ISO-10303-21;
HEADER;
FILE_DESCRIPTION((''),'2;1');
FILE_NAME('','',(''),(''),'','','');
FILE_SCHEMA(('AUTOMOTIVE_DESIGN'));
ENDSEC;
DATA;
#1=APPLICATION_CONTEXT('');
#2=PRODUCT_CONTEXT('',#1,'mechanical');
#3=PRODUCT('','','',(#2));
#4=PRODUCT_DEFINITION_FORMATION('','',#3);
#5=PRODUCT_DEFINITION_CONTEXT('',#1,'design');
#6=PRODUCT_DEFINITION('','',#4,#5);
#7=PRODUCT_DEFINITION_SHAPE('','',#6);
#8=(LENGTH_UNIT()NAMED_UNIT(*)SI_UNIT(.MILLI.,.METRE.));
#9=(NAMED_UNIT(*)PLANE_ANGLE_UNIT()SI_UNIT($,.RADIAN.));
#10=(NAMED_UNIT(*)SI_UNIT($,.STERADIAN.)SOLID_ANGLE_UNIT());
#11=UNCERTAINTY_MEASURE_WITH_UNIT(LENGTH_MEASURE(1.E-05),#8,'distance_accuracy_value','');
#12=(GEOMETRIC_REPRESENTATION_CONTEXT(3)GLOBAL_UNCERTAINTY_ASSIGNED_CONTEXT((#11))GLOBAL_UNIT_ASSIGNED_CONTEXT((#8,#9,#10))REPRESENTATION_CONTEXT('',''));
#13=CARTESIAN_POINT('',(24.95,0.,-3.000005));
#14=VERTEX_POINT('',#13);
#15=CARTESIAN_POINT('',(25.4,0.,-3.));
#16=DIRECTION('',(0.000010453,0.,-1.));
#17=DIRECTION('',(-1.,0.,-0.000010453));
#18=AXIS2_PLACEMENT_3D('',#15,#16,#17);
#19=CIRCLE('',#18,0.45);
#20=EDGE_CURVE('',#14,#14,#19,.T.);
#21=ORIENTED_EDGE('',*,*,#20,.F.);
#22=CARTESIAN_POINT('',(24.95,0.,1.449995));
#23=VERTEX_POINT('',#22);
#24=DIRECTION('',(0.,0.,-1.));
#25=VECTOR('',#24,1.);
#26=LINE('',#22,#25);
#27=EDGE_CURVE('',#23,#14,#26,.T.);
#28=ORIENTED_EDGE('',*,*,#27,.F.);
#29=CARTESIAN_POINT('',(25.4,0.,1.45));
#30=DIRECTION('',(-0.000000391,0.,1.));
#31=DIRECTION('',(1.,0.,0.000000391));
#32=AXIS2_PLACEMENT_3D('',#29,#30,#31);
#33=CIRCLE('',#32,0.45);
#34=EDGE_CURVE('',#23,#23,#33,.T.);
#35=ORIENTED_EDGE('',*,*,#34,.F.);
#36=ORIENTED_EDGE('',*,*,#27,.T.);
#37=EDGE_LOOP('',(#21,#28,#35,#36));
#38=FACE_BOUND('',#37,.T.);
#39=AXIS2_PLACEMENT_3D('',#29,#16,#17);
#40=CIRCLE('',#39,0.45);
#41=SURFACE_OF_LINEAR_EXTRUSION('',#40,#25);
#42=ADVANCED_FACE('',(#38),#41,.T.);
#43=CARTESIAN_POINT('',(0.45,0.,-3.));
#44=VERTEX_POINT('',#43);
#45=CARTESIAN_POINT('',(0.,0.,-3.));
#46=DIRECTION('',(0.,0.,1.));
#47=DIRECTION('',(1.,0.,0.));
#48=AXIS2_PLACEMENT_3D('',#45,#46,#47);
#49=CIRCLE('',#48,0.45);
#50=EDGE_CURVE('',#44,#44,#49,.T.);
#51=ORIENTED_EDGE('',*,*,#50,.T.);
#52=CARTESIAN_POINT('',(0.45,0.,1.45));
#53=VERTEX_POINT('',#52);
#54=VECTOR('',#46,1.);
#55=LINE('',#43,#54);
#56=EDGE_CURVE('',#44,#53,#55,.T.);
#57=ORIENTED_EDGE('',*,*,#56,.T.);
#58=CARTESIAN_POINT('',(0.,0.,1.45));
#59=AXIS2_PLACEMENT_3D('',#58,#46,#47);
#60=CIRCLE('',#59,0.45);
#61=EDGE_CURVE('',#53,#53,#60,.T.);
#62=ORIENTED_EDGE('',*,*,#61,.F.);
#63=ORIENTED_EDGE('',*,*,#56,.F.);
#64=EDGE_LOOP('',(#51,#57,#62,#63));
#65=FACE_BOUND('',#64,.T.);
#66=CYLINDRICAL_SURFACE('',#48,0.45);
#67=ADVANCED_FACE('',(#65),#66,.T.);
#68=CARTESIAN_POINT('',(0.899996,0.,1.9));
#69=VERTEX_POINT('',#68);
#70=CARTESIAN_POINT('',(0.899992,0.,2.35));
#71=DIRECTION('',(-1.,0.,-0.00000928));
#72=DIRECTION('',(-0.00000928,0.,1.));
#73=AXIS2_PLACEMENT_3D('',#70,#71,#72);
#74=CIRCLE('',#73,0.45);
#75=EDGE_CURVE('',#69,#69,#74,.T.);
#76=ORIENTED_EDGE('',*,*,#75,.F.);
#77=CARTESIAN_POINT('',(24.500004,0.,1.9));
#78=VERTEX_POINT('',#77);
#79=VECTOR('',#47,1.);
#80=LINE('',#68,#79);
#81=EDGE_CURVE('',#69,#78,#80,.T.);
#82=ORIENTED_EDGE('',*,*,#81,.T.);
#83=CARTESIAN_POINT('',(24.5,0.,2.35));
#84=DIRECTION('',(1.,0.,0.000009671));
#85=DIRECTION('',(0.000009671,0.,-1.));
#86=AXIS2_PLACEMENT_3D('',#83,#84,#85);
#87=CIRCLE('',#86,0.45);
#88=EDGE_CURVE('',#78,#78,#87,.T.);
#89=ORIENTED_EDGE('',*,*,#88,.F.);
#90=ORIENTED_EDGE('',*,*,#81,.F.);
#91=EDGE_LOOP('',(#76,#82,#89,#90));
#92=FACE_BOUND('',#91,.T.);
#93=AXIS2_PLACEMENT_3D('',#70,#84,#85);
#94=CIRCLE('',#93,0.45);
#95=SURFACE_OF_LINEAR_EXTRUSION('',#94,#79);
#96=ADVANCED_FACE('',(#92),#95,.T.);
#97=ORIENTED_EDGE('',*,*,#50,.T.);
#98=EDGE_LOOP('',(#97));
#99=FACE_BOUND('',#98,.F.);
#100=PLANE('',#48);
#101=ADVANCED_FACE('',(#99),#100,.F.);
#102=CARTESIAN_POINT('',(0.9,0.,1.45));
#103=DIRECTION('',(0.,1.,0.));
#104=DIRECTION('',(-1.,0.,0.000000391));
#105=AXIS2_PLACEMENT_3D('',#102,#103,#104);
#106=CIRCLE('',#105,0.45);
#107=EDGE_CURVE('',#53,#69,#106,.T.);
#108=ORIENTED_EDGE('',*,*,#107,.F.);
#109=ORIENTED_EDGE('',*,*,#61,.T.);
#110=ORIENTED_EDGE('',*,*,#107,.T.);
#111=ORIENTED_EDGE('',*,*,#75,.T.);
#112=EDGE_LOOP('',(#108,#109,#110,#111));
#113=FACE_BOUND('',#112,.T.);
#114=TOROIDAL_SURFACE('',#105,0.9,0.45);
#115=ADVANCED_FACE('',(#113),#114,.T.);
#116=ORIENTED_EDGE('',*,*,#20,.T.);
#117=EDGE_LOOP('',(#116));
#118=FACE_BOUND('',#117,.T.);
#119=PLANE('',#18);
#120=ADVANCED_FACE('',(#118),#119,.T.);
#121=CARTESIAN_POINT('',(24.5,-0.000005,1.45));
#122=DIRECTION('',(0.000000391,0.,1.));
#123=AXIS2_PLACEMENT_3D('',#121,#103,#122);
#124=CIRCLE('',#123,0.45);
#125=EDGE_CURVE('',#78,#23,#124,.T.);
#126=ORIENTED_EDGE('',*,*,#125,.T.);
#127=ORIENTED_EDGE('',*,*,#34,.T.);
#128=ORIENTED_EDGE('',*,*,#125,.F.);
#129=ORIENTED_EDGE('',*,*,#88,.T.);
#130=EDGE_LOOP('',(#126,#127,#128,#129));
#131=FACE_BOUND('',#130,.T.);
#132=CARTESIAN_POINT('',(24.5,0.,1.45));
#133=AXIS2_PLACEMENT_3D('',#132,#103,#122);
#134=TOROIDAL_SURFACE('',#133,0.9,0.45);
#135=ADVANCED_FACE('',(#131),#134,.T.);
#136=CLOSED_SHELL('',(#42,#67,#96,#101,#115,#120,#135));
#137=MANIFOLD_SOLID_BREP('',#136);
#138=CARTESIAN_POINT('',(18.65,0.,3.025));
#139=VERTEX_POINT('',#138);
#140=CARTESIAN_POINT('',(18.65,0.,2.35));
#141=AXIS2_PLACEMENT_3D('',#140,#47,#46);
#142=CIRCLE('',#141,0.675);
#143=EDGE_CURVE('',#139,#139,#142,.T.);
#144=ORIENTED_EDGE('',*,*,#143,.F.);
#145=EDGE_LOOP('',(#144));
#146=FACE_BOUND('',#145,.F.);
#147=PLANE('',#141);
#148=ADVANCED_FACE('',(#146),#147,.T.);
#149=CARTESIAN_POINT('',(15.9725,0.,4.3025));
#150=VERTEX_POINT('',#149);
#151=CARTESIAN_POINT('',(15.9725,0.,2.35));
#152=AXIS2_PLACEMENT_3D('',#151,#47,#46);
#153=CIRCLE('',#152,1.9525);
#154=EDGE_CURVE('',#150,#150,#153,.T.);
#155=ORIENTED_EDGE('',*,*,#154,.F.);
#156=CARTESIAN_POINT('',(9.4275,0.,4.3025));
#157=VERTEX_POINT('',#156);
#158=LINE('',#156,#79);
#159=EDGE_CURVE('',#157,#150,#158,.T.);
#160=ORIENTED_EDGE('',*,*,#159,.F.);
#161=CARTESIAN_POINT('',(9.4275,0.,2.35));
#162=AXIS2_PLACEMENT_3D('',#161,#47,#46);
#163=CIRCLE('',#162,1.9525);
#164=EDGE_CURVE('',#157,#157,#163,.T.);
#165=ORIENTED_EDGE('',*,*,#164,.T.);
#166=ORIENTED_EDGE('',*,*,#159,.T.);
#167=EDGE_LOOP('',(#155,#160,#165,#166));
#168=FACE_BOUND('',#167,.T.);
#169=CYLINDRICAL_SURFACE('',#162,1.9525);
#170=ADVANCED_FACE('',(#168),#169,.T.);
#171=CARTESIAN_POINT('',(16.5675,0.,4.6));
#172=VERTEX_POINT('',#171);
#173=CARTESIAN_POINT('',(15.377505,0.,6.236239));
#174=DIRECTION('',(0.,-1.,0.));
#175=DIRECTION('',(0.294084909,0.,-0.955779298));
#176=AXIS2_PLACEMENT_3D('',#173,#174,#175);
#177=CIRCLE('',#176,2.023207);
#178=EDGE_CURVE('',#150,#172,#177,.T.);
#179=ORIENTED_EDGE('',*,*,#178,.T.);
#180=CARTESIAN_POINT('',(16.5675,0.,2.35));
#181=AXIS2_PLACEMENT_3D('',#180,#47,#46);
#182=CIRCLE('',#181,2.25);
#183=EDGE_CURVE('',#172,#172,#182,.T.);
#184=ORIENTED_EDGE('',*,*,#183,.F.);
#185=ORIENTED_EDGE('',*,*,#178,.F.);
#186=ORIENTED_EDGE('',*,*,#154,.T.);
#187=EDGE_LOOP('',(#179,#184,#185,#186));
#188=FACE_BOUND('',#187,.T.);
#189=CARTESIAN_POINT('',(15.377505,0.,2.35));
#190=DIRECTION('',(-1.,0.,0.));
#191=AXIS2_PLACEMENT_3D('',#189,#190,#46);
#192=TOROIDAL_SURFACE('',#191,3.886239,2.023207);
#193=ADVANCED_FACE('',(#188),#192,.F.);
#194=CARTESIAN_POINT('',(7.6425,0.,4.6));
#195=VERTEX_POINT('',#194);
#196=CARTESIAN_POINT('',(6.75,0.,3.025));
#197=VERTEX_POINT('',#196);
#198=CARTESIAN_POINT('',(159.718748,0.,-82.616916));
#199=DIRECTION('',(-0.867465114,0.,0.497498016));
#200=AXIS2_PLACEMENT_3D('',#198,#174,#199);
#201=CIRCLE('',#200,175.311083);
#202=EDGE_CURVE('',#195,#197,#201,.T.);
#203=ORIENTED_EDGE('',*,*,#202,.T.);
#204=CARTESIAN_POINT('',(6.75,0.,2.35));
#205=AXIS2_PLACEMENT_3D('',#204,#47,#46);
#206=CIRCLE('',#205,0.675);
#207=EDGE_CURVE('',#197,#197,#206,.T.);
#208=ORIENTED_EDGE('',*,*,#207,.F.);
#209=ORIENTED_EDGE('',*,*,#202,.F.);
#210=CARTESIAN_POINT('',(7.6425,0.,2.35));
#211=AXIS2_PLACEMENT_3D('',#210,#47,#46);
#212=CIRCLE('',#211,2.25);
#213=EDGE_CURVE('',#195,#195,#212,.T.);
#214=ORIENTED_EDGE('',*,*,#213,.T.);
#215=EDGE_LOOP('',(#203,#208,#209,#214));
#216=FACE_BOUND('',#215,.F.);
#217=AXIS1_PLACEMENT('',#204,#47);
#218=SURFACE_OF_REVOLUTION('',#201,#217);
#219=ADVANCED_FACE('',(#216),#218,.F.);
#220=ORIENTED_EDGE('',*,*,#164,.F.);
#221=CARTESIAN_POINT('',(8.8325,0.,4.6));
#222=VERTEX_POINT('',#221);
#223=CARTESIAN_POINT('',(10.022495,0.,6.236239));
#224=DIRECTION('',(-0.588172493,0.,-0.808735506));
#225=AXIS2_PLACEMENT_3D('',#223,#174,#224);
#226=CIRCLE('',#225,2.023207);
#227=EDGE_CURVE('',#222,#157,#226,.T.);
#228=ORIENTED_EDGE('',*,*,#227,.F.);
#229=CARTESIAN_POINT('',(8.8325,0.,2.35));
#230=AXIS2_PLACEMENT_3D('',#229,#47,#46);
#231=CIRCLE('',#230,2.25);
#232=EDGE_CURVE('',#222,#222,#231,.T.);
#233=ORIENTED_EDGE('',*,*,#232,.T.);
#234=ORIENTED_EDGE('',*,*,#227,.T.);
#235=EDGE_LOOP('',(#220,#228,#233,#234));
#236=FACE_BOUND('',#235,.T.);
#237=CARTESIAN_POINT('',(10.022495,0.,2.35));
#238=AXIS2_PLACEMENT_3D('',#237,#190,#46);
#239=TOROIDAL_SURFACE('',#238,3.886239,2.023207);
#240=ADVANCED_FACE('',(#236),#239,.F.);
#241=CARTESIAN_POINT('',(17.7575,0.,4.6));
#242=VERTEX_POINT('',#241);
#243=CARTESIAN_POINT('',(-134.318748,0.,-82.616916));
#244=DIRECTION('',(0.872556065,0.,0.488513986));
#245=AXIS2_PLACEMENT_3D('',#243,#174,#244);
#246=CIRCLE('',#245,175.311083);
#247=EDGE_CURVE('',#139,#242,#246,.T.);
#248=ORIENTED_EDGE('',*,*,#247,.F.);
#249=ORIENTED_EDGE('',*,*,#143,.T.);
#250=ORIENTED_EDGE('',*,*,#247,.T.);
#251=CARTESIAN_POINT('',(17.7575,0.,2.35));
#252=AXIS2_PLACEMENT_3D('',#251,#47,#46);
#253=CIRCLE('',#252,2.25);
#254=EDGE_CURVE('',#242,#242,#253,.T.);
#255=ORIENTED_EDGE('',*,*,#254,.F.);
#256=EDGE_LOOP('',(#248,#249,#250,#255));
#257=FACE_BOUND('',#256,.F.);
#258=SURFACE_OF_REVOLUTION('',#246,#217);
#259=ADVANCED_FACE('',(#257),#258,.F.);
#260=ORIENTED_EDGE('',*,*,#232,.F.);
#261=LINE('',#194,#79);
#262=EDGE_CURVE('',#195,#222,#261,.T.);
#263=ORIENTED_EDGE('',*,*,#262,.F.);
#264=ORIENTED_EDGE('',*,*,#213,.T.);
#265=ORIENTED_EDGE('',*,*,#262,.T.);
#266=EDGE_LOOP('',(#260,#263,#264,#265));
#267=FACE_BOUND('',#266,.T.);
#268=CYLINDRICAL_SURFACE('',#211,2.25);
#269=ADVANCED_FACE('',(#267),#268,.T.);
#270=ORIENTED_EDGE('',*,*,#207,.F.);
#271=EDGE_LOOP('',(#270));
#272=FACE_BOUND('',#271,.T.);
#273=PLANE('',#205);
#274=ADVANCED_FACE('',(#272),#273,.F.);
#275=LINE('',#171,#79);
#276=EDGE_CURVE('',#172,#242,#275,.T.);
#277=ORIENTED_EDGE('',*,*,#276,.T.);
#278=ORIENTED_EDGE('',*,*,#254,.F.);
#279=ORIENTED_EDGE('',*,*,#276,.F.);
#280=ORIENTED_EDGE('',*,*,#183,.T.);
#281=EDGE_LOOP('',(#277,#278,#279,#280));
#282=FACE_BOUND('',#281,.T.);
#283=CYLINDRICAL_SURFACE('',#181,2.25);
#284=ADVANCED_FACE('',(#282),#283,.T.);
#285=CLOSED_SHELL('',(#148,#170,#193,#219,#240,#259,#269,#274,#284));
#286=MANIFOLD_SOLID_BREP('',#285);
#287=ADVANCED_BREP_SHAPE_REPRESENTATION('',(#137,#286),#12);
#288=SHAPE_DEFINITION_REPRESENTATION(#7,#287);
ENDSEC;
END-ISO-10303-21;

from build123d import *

# Parameters (mm, degrees)
SKETCH_R = 0.45


with BuildPart() as revolution:
    # Sketch002 → Revolution (revolve)
    with BuildSketch(Plane.XZ):
        with BuildLine():
            Line((7.6425, 4.6), (8.8325, 4.6))
            ThreePointArc((8.8325, 4.6), (9.117689, 4.426628), (9.4275, 4.3025))
            Line((9.4275, 4.3025), (15.9725, 4.3025))
            ThreePointArc((15.9725, 4.3025), (16.282311, 4.426628), (16.5675, 4.6))
            Line((16.5675, 4.6), (17.7575, 4.6))
            ThreePointArc((18.65, 3.025), (18.205783, 3.813652), (17.7575, 4.6))
            Line((18.65, 2.35), (18.65, 3.025))
            Line((6.75, 2.35), (18.65, 2.35))
            Line((6.75, 2.35), (6.75, 3.025))
            ThreePointArc((7.6425, 4.6), (7.194217, 3.813652), (6.75, 3.025))
        make_face()
    revolve(axis=Axis((6.75, 0, 2.35), (1, 0, 0)))


with BuildPart() as sweep_body:
    # Sweep: sweep along a path in Sketch001
    with BuildLine(Plane.XZ) as sweep_path:
        Line((0, -3), (0, 1.45))
        ThreePointArc((0, 1.45), (0.263601, 2.086393), (0.899992, 2.35))
        Line((0.899992, 2.35), (24.5, 2.35))
        ThreePointArc((24.5, 2.35), (25.136396, 2.086396), (25.4, 1.45))
        Line((25.4, 1.45), (25.4, -3))
    # Sketch → Sweep (sweep)
    with BuildSketch(Plane.XY.offset(-2)):
        Circle(SKETCH_R)
    sweep(path=sweep_path.line)


solid = Compound([revolution.part, sweep_body.part])
